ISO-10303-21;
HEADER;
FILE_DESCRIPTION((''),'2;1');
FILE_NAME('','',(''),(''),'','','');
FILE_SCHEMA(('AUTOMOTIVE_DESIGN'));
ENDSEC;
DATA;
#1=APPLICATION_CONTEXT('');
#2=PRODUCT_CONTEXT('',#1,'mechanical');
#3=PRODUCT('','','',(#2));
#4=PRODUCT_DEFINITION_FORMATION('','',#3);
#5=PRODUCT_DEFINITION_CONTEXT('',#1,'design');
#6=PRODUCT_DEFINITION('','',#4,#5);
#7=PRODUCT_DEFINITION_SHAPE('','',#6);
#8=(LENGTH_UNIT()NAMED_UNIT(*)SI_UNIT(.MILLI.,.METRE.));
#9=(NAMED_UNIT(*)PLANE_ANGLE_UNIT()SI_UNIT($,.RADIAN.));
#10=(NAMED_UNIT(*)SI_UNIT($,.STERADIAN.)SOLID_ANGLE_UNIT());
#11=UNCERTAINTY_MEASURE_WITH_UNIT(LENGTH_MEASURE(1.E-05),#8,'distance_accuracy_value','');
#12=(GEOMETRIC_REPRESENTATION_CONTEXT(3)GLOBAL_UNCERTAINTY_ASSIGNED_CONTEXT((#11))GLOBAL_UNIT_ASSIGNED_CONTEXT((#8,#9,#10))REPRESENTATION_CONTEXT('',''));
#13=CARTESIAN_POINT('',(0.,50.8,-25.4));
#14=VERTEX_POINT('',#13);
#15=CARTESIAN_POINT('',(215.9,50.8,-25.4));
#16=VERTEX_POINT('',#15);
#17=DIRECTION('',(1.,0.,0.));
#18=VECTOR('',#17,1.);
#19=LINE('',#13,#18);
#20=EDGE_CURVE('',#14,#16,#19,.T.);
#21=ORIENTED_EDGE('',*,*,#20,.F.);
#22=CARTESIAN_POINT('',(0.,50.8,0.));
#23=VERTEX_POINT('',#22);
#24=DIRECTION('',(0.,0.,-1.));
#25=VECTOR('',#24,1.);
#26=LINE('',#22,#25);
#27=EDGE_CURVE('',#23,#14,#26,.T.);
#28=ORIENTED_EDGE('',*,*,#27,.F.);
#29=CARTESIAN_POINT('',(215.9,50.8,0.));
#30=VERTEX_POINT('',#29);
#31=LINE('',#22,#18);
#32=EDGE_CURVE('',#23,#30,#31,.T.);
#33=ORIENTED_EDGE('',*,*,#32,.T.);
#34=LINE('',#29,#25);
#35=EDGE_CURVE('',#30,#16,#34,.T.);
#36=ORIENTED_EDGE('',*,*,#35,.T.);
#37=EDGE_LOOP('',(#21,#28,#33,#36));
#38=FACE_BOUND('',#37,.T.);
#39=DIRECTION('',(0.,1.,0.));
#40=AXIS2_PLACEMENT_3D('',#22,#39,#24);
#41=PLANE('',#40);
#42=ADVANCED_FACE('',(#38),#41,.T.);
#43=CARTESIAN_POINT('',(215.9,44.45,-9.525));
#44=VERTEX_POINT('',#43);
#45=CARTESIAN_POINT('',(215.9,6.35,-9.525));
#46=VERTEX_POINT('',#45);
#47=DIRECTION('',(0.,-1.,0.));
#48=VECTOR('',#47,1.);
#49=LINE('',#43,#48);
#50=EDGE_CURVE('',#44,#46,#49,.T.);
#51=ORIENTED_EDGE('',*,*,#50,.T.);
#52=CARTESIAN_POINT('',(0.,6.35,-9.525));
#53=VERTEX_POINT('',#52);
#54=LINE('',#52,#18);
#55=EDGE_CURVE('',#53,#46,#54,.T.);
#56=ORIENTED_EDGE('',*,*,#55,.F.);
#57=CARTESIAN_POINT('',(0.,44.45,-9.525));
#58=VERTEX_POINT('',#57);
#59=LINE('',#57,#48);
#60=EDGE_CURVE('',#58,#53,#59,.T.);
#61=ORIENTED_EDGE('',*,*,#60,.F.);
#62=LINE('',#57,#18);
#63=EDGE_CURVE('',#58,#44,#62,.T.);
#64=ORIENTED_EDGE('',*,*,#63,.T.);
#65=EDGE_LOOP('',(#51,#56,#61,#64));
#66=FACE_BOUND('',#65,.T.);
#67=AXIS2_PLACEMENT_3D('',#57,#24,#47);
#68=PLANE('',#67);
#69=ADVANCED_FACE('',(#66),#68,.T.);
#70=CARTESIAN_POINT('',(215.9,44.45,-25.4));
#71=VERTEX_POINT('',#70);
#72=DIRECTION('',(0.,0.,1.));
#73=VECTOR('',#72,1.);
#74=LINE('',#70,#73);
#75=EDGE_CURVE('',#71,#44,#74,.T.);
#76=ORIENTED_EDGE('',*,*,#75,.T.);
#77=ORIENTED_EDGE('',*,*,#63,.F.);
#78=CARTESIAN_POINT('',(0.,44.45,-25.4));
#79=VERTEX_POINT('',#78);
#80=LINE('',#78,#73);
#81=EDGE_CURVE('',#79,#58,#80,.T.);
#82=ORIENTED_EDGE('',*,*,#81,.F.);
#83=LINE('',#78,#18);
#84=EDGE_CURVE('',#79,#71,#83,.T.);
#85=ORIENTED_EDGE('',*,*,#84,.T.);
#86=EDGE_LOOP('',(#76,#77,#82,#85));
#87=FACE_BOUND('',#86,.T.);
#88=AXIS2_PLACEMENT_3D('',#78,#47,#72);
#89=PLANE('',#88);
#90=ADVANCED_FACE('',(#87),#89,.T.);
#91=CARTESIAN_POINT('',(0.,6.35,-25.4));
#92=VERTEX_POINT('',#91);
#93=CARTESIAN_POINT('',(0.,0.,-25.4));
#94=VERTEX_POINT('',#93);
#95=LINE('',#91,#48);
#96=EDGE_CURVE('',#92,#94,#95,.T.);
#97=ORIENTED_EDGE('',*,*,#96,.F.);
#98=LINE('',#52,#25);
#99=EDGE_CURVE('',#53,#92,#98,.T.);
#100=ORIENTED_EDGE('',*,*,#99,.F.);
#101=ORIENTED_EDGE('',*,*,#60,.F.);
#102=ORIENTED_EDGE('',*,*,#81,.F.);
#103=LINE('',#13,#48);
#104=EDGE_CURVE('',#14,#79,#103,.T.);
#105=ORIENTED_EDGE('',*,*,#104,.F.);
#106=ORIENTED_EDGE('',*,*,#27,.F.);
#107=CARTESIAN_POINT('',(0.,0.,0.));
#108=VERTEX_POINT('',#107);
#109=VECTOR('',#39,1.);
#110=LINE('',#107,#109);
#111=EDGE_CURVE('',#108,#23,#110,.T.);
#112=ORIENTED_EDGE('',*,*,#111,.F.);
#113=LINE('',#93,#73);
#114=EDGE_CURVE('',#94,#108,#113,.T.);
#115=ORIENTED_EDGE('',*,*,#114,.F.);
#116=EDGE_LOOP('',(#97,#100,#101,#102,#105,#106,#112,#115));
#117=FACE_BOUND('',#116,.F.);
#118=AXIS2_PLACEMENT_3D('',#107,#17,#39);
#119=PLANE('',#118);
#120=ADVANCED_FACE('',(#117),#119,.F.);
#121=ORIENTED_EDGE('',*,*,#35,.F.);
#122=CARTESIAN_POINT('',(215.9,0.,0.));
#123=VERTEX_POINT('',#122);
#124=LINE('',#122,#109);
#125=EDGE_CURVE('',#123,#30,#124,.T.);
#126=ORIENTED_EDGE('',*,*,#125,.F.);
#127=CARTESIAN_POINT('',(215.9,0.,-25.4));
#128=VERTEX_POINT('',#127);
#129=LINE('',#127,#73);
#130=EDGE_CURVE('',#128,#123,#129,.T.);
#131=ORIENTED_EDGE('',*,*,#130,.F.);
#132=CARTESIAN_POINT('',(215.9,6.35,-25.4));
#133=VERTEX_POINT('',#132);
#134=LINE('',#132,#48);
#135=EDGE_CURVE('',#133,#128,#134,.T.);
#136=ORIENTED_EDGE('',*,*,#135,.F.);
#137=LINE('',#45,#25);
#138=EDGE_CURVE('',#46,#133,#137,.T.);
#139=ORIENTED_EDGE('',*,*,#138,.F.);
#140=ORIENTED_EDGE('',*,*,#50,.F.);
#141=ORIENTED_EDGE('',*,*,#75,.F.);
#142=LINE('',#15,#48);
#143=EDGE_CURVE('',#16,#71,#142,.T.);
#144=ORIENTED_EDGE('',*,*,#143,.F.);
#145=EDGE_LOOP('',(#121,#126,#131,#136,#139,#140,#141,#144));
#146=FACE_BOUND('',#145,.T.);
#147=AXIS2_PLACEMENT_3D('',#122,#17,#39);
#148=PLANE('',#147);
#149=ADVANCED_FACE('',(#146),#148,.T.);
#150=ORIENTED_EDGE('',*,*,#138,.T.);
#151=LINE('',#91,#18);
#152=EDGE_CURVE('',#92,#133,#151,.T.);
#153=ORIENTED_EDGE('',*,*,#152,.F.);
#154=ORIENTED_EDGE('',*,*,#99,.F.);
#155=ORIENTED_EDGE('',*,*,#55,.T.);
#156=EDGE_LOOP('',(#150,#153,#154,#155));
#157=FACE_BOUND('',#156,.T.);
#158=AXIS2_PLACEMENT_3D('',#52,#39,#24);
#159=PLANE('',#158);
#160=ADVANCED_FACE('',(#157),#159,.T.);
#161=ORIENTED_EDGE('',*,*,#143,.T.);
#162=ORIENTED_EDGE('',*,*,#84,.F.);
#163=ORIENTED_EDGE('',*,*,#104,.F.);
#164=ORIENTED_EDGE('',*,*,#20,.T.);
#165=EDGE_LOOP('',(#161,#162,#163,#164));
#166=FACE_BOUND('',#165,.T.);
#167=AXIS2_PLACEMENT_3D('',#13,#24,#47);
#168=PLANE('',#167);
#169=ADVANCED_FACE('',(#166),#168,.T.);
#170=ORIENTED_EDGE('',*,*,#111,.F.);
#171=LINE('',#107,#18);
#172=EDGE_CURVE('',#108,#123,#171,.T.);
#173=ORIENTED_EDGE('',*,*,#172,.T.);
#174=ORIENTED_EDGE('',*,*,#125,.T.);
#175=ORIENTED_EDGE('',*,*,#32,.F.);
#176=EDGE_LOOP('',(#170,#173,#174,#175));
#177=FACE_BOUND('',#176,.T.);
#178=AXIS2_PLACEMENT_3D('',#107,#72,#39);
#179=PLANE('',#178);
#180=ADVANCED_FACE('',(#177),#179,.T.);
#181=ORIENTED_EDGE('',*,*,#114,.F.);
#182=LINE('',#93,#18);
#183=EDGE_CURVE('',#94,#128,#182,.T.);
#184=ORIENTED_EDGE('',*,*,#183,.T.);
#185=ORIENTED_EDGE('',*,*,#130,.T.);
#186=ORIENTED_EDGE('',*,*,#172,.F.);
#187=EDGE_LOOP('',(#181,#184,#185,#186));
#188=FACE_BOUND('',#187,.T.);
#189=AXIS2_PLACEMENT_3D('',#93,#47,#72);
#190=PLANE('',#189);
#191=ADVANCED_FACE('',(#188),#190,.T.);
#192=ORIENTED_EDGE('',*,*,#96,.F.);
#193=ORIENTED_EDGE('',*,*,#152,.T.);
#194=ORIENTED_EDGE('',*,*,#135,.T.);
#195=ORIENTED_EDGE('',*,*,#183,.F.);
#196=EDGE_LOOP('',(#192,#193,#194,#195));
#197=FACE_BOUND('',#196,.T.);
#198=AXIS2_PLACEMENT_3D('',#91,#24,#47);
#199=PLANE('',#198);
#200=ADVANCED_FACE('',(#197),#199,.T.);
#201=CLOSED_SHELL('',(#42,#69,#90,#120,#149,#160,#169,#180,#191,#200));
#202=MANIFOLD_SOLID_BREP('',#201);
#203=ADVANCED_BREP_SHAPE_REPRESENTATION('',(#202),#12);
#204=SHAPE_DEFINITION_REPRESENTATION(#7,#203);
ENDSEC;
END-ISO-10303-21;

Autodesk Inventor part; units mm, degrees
ref_plane "YZ Plane" through (0, 0, 0) normal (1, 0, 0) x (0, 1, 0)
ref_plane "XZ Plane" through (0, 0, 0) normal (0, 1, 0) x (-1, 0, 0)
ref_plane "XY Plane" through (0, 0, 0) normal (0, 0, 1) x (1, 0, 0)
sketch "Sketch1" plane through (0, 0, 0) normal (1, 0, 0) x (0, 1, 0)
  line L0 (0, 0) -> (50.8, 0)
  line L1 (50.8, 0) -> (50.8, -25.4)
  line L2 (50.8, -25.4) -> (44.45, -25.4)
  line L3 (44.45, -25.4) -> (44.45, -9.525)
  line L4 (44.45, -9.525) -> (6.35, -9.525)
  line L5 (6.35, -9.525) -> (6.35, -25.4)
  line L6 (6.35, -25.4) -> (0, -25.4)
  line L7 (0, -25.4) -> (0, 0)
  dimension "d1" = 15.875
  dimension "d3" = 6.35
  dimension "d4" = 6.35
  dimension "d5" = 50.8
  dimension "d9" = 25.4
extrude "Extrusion1" add sketch "Sketch1" along normal blind 215.9
properties part number "NASA-20-EBOX-SEXTC-01" material "Polyethylene, Low Density"
